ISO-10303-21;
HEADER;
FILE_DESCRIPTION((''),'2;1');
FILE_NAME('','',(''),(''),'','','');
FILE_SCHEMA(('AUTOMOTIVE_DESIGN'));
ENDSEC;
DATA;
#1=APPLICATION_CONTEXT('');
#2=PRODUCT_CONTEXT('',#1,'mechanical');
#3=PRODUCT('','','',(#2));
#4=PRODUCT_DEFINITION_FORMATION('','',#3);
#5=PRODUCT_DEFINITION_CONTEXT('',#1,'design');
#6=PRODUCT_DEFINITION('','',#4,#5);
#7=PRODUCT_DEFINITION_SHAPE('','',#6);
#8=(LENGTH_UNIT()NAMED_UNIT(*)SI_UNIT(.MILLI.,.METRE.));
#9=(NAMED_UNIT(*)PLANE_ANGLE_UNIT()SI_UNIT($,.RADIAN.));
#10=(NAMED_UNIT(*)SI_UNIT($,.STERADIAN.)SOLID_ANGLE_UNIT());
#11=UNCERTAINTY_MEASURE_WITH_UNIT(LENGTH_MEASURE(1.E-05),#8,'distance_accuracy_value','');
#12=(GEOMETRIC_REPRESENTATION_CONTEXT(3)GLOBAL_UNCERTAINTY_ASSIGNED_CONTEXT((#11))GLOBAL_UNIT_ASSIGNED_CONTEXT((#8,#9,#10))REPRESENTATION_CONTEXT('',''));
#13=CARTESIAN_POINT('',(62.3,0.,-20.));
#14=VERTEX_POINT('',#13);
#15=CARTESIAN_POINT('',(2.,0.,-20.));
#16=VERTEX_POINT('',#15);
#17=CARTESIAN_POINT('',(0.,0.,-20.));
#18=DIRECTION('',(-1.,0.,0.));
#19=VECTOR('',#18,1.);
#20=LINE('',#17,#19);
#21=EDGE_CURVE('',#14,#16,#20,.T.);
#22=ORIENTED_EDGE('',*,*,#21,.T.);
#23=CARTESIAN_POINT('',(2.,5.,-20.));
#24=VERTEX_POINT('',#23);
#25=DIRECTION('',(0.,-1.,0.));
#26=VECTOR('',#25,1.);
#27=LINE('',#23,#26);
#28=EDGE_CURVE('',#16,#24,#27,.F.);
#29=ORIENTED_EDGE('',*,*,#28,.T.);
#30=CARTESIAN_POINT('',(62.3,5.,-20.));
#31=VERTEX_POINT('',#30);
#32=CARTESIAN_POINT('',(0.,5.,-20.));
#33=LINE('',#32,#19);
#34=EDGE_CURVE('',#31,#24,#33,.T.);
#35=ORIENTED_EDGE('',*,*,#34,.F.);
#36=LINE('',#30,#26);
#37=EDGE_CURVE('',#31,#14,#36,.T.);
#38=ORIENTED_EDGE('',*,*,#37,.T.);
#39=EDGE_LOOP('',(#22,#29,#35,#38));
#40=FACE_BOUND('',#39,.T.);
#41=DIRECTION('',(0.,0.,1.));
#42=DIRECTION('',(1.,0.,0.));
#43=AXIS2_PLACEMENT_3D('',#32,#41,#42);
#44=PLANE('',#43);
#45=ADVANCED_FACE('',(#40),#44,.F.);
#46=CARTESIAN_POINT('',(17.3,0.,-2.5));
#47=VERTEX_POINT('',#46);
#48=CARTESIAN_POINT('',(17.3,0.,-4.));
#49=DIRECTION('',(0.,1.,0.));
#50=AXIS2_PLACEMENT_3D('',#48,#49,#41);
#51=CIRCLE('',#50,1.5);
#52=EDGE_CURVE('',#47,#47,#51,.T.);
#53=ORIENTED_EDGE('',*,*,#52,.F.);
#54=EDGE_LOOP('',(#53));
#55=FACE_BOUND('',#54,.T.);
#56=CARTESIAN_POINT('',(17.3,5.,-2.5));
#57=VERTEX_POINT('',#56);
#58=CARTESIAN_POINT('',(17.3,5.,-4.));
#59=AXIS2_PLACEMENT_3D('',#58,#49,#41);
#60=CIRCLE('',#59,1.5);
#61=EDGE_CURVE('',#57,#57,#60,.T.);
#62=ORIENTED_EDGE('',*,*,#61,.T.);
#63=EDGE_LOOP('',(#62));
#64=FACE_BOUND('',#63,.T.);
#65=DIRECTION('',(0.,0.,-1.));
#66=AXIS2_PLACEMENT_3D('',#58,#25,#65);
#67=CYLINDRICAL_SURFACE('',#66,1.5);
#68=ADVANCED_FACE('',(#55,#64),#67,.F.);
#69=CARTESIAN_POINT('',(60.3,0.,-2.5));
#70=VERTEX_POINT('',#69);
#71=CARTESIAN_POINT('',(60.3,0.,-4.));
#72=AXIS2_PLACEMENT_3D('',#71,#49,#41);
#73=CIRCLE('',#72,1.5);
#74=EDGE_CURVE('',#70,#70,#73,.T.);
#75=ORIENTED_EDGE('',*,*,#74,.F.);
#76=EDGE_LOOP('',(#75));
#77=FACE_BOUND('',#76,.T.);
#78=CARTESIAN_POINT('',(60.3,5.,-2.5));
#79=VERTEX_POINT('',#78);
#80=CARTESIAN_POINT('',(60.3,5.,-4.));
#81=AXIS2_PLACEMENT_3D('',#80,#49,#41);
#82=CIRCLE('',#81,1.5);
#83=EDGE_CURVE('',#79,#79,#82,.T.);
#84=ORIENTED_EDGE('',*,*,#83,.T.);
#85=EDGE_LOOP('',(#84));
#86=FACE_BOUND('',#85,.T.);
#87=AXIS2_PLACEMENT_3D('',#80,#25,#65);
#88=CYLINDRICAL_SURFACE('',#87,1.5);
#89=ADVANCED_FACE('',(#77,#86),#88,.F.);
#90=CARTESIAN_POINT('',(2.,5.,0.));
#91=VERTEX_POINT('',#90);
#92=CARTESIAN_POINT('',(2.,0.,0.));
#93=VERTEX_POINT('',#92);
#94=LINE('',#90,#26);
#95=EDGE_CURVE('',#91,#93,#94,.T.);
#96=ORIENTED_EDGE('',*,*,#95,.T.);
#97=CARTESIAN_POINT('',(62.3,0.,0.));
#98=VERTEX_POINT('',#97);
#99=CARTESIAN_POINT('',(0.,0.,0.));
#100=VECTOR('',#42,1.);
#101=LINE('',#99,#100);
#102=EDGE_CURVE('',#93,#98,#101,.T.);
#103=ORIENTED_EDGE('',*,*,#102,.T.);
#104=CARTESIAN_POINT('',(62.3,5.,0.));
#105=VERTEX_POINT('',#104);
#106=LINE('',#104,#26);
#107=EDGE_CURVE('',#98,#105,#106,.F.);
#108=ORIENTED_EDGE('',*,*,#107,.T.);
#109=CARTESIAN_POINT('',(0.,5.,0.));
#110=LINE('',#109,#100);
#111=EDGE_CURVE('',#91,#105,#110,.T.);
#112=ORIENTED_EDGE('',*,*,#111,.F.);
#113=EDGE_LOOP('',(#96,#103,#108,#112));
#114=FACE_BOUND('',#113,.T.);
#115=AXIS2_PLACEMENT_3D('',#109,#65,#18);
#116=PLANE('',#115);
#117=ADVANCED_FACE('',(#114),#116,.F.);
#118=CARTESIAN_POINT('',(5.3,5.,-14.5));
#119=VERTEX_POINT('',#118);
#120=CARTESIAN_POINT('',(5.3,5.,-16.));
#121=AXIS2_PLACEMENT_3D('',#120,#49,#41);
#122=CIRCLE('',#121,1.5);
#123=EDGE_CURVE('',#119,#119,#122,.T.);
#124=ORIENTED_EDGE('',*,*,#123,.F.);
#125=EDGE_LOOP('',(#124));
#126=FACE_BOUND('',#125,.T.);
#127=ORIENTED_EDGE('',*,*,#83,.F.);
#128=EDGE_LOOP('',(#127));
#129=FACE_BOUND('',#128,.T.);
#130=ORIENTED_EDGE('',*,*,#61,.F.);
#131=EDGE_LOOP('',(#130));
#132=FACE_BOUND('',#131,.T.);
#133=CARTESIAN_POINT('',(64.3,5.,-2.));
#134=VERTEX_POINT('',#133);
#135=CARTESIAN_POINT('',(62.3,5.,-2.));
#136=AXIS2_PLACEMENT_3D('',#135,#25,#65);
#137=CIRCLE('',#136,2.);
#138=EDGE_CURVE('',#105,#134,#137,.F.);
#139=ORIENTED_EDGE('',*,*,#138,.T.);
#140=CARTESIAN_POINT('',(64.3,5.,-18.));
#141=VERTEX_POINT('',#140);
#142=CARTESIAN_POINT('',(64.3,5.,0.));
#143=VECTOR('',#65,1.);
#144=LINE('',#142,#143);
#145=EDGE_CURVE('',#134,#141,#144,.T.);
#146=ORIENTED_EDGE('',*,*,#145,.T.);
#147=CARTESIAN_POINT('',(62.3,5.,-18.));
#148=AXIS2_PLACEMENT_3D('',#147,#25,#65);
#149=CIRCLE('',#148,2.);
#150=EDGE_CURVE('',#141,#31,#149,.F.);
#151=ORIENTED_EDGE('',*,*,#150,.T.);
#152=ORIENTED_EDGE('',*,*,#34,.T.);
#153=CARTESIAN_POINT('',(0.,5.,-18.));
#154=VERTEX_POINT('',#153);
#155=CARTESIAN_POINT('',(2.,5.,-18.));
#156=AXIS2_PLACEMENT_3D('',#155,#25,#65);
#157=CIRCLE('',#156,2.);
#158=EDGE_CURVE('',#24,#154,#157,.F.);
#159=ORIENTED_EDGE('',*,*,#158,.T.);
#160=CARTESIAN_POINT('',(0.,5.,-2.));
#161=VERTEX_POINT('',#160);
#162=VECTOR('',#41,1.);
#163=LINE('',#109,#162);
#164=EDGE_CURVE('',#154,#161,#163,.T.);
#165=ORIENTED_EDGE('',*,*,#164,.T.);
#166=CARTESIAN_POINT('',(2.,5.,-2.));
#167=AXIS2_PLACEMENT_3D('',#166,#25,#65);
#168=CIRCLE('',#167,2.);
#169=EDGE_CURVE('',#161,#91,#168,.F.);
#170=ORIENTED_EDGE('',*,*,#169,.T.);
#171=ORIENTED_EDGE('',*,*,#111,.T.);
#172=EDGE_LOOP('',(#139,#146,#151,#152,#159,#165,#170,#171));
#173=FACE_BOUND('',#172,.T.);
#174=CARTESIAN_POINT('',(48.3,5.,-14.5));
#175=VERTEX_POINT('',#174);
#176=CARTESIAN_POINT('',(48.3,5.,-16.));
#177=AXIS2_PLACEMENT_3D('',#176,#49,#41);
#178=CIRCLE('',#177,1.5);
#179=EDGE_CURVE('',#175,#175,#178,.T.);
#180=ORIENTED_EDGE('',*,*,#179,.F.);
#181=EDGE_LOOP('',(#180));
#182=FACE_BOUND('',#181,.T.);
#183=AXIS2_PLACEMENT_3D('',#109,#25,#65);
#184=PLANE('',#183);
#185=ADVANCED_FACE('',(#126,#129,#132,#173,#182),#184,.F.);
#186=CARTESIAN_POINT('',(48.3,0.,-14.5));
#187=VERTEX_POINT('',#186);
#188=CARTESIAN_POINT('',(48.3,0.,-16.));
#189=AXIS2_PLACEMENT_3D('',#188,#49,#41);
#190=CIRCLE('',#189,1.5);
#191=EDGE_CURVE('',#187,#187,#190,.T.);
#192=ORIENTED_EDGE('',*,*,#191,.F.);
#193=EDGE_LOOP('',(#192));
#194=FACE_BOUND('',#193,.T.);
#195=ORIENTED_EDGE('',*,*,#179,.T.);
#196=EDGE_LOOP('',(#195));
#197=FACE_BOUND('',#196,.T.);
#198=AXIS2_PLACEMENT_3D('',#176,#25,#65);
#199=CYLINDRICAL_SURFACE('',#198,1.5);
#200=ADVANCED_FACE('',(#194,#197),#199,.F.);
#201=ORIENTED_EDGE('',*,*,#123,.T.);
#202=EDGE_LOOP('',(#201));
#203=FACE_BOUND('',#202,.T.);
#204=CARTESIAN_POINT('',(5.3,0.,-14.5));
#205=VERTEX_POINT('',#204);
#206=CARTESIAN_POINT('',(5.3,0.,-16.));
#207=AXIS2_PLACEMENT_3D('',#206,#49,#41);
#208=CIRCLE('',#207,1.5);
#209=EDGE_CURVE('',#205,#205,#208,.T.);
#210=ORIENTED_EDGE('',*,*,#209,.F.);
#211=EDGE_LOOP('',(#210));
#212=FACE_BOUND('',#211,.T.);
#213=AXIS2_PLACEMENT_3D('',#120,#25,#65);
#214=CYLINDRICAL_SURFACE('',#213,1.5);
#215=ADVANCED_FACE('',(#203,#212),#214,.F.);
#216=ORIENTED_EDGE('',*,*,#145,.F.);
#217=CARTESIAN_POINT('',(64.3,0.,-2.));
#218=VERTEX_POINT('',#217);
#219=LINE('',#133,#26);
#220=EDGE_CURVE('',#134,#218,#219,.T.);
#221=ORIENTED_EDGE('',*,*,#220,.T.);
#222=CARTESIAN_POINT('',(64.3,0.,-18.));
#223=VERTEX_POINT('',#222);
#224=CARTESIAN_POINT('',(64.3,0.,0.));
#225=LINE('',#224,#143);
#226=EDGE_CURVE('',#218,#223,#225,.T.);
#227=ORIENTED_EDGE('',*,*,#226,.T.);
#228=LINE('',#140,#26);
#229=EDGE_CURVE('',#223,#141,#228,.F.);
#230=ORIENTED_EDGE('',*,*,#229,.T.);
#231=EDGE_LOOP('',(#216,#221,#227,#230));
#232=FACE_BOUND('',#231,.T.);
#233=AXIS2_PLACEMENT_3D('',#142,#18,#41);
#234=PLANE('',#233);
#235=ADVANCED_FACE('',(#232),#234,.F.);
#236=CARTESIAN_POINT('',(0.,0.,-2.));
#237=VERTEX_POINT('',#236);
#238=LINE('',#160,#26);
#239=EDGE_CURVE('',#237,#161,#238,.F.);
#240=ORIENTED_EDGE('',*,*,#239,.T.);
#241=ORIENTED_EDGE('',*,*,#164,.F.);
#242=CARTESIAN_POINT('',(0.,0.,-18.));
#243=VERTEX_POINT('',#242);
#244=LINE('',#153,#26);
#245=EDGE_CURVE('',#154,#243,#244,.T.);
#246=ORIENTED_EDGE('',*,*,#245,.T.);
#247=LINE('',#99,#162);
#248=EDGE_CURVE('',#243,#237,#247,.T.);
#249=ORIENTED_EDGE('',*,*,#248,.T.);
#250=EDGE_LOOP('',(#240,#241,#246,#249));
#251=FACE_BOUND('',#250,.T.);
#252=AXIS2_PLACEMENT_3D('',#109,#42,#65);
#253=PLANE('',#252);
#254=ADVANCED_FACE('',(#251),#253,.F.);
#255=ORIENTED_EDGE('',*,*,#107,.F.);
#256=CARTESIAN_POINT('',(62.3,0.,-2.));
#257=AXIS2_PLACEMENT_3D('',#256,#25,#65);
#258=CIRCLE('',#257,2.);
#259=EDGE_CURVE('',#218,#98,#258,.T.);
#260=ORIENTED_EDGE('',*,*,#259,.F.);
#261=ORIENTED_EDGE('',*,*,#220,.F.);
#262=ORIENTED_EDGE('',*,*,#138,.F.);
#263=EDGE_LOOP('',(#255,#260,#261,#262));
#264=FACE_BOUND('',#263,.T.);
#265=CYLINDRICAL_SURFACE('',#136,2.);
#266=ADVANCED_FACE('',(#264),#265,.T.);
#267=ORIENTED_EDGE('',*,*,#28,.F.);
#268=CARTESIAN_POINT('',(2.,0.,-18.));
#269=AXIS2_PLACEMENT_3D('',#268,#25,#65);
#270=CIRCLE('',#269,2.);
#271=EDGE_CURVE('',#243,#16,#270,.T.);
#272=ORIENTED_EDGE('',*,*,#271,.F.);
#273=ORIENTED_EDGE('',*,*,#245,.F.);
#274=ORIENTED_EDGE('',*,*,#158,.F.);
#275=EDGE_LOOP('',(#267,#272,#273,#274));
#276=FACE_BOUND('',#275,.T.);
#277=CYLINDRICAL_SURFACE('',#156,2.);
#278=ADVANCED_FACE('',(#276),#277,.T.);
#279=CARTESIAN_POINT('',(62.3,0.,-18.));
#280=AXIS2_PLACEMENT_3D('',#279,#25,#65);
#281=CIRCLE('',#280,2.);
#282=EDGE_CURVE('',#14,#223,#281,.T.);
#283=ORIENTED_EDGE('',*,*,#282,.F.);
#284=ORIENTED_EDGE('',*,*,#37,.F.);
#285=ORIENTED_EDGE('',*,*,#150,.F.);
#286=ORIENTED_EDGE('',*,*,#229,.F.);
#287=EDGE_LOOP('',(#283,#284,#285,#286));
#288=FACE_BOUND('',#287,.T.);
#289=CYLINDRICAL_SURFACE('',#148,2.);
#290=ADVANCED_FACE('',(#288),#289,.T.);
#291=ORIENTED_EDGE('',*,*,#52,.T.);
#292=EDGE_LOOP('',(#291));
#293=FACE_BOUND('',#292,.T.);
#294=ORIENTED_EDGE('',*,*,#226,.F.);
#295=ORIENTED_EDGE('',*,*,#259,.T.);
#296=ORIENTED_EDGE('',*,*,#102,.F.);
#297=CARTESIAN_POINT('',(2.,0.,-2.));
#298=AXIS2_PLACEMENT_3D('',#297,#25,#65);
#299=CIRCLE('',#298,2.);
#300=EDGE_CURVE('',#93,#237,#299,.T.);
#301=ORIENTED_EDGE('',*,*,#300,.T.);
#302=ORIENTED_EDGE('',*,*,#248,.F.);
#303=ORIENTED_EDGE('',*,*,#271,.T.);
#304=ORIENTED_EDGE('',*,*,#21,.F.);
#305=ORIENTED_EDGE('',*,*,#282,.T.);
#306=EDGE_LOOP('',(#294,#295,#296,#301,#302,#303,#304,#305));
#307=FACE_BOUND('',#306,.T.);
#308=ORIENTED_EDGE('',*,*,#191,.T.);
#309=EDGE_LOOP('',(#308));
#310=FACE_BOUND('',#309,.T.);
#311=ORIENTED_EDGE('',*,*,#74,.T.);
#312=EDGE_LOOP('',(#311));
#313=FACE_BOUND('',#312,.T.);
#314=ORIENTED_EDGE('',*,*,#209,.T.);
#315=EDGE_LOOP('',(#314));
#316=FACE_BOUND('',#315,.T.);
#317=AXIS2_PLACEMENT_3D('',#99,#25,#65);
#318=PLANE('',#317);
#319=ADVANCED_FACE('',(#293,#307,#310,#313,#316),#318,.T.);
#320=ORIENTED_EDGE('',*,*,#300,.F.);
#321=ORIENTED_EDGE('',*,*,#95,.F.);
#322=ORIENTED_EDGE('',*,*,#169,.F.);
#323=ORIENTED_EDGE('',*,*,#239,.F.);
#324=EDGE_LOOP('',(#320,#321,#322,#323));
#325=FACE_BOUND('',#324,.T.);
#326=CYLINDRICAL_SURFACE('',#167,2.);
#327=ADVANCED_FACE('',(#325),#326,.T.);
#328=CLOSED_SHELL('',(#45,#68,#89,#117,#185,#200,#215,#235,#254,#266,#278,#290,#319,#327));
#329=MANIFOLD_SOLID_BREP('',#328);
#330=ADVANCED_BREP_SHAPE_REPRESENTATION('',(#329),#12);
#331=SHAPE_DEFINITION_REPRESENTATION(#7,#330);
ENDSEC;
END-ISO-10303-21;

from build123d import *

# Parameters (mm, degrees)
SKETCH_1_W      = 64.3
SKETCH_1_H      = 20
SKETCH_1_R      = 1.5
EXTRUDE_1_DEPTH = 5
FILLET_1_R      = 2


with BuildPart() as part:
    # 草图1 → 凸台-拉伸1 (new body)
    with BuildSketch(Plane(origin=(0, 0, 0), x_dir=(1, 0, 0), z_dir=(0, 1, 0))):
        with Locations((32.15, 10)):
            Rectangle(SKETCH_1_W, SKETCH_1_H)
        with Locations(Location((5.3, 16, 0), (0, 0, 270))):
            Circle(SKETCH_1_R, mode=Mode.SUBTRACT)
        with Locations(Location((17.3, 4, 0), (0, 0, 270))):
            Circle(SKETCH_1_R, mode=Mode.SUBTRACT)
        with Locations(Location((48.3, 16, 0), (0, 0, 270))):
            Circle(SKETCH_1_R, mode=Mode.SUBTRACT)
        with Locations(Location((60.3, 4, 0), (0, 0, 270))):
            Circle(SKETCH_1_R, mode=Mode.SUBTRACT)
    extrude(amount=EXTRUDE_1_DEPTH)

    # 圆角1
    fillet_1_edges = [part.edges().sort_by_distance(p)[0] for p in [
        (0, 2.5, -20),
        (64.3, 2.5, -20),
        (64.3, 2.5, 0),
        (0, 2.5, 0),
    ]]
    fillet(fillet_1_edges, radius=FILLET_1_R)


solid = part.part
